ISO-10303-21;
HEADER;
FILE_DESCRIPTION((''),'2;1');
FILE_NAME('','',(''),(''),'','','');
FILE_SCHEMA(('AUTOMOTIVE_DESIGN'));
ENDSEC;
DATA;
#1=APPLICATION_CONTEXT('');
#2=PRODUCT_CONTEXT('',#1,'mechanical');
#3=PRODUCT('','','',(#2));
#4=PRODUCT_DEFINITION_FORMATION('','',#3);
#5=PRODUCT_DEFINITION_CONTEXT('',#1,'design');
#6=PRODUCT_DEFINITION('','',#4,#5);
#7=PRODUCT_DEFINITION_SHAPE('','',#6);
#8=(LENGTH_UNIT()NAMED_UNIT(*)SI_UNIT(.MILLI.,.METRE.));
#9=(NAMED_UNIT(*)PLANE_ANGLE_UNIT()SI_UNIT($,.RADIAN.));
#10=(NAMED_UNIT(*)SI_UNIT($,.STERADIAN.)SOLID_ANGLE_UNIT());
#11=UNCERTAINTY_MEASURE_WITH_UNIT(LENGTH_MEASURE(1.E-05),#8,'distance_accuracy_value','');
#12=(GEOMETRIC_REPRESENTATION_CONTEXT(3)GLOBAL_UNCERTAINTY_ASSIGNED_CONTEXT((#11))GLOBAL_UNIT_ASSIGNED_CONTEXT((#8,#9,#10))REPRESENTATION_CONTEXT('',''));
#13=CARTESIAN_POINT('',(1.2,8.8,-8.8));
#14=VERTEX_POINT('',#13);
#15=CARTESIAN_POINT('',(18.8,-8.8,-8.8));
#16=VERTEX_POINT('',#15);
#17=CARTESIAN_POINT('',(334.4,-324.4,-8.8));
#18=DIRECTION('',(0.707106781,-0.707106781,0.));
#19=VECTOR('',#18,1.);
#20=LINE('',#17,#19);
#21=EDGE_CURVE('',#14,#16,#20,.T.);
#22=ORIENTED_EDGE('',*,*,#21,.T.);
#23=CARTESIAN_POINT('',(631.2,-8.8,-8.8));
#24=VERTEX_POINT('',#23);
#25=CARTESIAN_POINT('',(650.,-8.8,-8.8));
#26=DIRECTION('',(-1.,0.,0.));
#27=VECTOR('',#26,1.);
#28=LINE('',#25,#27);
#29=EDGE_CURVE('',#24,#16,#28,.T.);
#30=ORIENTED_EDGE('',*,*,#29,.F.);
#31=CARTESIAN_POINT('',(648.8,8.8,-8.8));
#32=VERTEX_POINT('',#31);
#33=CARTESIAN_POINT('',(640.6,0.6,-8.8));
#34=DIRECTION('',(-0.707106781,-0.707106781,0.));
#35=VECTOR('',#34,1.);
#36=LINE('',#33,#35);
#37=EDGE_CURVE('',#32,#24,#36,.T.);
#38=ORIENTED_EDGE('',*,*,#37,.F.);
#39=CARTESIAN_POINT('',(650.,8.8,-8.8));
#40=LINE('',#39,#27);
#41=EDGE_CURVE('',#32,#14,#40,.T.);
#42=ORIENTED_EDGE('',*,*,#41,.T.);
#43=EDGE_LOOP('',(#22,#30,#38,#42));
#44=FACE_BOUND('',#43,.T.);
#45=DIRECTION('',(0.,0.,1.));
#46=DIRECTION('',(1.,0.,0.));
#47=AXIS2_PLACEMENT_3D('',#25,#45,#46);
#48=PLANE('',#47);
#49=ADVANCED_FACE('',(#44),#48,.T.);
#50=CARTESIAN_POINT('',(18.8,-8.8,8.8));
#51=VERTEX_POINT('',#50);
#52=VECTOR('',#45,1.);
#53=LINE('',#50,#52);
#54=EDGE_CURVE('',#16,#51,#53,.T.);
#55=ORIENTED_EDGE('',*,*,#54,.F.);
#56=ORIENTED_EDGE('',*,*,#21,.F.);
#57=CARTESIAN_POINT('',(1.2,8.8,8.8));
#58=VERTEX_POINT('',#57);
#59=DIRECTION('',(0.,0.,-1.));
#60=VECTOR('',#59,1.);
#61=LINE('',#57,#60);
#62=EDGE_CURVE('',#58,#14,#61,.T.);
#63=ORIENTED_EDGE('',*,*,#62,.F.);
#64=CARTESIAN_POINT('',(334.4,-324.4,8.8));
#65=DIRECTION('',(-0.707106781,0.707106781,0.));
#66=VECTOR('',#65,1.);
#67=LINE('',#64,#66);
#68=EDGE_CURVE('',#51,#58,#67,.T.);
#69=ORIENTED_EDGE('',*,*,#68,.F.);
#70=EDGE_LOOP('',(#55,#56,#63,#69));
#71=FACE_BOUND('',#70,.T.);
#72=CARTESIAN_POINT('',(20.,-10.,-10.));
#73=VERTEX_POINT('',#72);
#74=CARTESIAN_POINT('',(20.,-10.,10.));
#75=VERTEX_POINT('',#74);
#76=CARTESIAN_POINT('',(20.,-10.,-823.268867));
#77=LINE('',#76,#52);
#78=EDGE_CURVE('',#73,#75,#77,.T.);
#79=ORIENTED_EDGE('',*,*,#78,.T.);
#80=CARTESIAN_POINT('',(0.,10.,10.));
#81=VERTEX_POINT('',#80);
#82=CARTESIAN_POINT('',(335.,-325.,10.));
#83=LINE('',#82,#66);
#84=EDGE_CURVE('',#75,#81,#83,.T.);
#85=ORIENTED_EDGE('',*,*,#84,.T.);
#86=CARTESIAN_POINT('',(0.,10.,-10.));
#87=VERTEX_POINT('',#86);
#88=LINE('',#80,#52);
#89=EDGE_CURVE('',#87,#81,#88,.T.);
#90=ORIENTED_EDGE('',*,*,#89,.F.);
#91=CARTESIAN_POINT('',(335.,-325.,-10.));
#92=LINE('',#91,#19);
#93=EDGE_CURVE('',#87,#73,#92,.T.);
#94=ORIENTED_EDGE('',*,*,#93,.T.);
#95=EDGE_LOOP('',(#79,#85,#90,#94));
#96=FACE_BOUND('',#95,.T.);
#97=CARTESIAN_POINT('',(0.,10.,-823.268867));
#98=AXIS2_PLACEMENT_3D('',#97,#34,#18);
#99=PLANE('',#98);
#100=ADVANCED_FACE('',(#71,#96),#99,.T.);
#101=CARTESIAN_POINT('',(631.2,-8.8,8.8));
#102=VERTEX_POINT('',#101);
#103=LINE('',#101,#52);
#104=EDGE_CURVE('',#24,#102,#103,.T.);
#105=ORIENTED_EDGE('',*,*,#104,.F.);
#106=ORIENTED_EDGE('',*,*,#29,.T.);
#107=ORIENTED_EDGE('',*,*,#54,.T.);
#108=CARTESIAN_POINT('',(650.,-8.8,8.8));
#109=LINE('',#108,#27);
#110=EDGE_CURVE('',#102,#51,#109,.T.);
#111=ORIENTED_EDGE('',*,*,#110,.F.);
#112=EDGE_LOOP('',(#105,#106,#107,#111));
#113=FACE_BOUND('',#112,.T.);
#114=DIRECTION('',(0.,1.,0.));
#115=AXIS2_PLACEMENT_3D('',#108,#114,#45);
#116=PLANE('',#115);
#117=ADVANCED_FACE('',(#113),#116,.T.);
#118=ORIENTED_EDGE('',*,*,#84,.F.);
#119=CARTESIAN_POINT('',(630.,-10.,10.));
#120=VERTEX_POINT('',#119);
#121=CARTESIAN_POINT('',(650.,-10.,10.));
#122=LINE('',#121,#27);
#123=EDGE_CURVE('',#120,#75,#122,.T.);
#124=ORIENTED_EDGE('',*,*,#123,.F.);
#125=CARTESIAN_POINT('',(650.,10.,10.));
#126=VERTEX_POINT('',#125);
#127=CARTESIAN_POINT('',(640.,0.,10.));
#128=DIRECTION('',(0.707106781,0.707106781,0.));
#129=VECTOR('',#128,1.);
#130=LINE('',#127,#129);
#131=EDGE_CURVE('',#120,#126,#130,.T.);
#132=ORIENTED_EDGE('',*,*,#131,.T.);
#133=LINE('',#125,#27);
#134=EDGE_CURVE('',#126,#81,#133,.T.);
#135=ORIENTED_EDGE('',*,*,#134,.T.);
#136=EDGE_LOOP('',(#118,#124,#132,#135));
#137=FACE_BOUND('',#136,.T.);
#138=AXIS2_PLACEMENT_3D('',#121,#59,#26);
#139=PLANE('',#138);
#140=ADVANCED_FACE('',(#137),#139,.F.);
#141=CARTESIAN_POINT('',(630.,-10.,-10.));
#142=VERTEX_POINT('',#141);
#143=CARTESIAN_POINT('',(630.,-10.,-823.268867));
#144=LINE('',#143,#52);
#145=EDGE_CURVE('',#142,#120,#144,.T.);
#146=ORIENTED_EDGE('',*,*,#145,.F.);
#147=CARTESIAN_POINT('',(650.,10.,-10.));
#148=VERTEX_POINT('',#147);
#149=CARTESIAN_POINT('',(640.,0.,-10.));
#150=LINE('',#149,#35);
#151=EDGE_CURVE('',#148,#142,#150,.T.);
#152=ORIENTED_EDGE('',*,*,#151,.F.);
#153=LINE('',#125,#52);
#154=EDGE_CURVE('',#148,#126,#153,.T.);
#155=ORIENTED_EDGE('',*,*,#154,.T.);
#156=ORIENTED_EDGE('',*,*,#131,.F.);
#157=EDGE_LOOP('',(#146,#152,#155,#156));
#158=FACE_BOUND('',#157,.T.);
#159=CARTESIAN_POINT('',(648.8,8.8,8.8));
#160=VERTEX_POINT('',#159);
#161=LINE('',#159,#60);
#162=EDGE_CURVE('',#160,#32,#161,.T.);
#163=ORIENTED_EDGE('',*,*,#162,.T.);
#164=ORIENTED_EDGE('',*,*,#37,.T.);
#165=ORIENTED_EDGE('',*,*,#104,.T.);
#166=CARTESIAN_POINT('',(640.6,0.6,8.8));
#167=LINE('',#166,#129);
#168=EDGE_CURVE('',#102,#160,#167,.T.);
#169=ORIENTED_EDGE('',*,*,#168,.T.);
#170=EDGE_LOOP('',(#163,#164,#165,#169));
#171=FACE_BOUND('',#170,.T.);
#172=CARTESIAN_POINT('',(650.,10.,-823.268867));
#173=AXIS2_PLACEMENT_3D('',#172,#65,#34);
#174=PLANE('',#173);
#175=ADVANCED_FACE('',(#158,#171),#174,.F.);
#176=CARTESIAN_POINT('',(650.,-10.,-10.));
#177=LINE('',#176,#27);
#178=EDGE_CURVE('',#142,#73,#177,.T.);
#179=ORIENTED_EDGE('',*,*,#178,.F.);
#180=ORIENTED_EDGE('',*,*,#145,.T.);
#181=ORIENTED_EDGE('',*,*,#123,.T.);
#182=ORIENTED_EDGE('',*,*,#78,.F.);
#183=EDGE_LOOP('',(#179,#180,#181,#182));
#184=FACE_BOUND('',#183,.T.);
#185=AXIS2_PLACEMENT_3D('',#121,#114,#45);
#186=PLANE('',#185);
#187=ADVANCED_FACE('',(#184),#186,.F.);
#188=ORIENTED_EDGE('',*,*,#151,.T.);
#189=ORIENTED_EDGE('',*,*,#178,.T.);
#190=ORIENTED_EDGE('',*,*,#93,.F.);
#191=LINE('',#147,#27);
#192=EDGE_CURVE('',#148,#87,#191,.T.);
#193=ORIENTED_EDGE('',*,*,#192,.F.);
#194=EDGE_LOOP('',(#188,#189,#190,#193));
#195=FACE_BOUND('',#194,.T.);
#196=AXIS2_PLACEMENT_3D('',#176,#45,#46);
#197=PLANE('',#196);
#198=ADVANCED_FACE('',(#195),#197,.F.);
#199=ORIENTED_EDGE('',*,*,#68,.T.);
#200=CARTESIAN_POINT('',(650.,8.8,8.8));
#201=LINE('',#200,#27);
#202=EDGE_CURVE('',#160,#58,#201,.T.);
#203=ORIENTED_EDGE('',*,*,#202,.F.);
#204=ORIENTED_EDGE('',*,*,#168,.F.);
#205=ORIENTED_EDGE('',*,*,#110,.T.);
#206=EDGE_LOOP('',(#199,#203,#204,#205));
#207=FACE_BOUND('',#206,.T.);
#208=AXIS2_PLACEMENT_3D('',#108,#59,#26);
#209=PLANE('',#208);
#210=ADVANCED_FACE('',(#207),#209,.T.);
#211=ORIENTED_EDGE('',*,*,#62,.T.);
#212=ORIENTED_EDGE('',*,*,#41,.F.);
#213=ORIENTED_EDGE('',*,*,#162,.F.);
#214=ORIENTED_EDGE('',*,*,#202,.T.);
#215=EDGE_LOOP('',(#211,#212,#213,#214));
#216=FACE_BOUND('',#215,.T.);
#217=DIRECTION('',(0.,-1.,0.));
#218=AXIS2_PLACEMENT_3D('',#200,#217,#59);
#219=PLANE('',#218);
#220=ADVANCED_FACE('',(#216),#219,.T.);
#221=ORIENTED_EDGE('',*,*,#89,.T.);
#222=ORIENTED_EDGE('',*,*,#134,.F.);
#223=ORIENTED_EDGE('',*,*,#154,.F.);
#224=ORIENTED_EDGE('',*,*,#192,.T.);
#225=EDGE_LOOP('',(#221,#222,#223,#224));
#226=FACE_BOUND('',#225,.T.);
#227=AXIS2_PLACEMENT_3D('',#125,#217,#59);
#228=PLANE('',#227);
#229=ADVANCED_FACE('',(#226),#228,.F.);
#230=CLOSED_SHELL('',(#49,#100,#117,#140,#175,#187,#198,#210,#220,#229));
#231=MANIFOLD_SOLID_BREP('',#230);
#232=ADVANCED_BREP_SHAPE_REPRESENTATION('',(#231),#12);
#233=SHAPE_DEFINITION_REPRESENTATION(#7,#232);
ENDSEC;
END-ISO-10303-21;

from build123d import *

# Parameters (mm, degrees)
SKETCH1_W               = 20
SKETCH1_H               = 20
SKETCH1_W_2             = 17.6
SKETCH1_H_2             = 17.6
BOSS_EXTRUDE1_DEPTH     = 650
CUT_EXTRUDE1_DEPTH      = 1
CUT_EXTRUDE1_DEPTH_BACK = 21
CUT_EXTRUDE3_DEPTH      = 1
CUT_EXTRUDE3_DEPTH_BACK = 21


with BuildPart() as part:
    # Sketch1 → Boss-Extrude1 (new body)
    with BuildSketch(Plane(origin=(0, 0, 0), x_dir=(0, 0, -1), z_dir=(1, 0, 0))):
        Rectangle(SKETCH1_W, SKETCH1_H)
        Rectangle(SKETCH1_W_2, SKETCH1_H_2, mode=Mode.SUBTRACT)
    extrude(amount=BOSS_EXTRUDE1_DEPTH)

    # Sketch2 → Cut-Extrude1 (cut, two sides)
    with BuildSketch(Plane(origin=(0, 0, -10), x_dir=(-1, 0, 0), z_dir=(0, 0, -1))) as cut_extrude1_sk:
        Polygon((926.744923045, 936.744923045), (0, 10), (-20, -10), (-946.744923045, -936.744923045), (906.744923045, -2790.234769136), (2780.234769136, -916.744923045), align=None)
    extrude(amount=CUT_EXTRUDE1_DEPTH, mode=Mode.SUBTRACT)
    extrude(cut_extrude1_sk.sketch, amount=-CUT_EXTRUDE1_DEPTH_BACK, mode=Mode.SUBTRACT)

    # Sketch3 → Cut-Extrude3 (cut, two sides)
    with BuildSketch(Plane(origin=(0, 0, -10), x_dir=(-1, 0, 0), z_dir=(0, 0, -1))) as cut_extrude3_sk:
        Polygon((-1576.744923045, 936.744923045), (-650, 10), (-630, -10), (296.744923045, -936.744923045), (-1556.744923045, -2790.234769136), (-3430.234769136, -916.744923045), align=None)
    extrude(amount=CUT_EXTRUDE3_DEPTH, mode=Mode.SUBTRACT)
    extrude(cut_extrude3_sk.sketch, amount=-CUT_EXTRUDE3_DEPTH_BACK, mode=Mode.SUBTRACT)


solid = part.part
